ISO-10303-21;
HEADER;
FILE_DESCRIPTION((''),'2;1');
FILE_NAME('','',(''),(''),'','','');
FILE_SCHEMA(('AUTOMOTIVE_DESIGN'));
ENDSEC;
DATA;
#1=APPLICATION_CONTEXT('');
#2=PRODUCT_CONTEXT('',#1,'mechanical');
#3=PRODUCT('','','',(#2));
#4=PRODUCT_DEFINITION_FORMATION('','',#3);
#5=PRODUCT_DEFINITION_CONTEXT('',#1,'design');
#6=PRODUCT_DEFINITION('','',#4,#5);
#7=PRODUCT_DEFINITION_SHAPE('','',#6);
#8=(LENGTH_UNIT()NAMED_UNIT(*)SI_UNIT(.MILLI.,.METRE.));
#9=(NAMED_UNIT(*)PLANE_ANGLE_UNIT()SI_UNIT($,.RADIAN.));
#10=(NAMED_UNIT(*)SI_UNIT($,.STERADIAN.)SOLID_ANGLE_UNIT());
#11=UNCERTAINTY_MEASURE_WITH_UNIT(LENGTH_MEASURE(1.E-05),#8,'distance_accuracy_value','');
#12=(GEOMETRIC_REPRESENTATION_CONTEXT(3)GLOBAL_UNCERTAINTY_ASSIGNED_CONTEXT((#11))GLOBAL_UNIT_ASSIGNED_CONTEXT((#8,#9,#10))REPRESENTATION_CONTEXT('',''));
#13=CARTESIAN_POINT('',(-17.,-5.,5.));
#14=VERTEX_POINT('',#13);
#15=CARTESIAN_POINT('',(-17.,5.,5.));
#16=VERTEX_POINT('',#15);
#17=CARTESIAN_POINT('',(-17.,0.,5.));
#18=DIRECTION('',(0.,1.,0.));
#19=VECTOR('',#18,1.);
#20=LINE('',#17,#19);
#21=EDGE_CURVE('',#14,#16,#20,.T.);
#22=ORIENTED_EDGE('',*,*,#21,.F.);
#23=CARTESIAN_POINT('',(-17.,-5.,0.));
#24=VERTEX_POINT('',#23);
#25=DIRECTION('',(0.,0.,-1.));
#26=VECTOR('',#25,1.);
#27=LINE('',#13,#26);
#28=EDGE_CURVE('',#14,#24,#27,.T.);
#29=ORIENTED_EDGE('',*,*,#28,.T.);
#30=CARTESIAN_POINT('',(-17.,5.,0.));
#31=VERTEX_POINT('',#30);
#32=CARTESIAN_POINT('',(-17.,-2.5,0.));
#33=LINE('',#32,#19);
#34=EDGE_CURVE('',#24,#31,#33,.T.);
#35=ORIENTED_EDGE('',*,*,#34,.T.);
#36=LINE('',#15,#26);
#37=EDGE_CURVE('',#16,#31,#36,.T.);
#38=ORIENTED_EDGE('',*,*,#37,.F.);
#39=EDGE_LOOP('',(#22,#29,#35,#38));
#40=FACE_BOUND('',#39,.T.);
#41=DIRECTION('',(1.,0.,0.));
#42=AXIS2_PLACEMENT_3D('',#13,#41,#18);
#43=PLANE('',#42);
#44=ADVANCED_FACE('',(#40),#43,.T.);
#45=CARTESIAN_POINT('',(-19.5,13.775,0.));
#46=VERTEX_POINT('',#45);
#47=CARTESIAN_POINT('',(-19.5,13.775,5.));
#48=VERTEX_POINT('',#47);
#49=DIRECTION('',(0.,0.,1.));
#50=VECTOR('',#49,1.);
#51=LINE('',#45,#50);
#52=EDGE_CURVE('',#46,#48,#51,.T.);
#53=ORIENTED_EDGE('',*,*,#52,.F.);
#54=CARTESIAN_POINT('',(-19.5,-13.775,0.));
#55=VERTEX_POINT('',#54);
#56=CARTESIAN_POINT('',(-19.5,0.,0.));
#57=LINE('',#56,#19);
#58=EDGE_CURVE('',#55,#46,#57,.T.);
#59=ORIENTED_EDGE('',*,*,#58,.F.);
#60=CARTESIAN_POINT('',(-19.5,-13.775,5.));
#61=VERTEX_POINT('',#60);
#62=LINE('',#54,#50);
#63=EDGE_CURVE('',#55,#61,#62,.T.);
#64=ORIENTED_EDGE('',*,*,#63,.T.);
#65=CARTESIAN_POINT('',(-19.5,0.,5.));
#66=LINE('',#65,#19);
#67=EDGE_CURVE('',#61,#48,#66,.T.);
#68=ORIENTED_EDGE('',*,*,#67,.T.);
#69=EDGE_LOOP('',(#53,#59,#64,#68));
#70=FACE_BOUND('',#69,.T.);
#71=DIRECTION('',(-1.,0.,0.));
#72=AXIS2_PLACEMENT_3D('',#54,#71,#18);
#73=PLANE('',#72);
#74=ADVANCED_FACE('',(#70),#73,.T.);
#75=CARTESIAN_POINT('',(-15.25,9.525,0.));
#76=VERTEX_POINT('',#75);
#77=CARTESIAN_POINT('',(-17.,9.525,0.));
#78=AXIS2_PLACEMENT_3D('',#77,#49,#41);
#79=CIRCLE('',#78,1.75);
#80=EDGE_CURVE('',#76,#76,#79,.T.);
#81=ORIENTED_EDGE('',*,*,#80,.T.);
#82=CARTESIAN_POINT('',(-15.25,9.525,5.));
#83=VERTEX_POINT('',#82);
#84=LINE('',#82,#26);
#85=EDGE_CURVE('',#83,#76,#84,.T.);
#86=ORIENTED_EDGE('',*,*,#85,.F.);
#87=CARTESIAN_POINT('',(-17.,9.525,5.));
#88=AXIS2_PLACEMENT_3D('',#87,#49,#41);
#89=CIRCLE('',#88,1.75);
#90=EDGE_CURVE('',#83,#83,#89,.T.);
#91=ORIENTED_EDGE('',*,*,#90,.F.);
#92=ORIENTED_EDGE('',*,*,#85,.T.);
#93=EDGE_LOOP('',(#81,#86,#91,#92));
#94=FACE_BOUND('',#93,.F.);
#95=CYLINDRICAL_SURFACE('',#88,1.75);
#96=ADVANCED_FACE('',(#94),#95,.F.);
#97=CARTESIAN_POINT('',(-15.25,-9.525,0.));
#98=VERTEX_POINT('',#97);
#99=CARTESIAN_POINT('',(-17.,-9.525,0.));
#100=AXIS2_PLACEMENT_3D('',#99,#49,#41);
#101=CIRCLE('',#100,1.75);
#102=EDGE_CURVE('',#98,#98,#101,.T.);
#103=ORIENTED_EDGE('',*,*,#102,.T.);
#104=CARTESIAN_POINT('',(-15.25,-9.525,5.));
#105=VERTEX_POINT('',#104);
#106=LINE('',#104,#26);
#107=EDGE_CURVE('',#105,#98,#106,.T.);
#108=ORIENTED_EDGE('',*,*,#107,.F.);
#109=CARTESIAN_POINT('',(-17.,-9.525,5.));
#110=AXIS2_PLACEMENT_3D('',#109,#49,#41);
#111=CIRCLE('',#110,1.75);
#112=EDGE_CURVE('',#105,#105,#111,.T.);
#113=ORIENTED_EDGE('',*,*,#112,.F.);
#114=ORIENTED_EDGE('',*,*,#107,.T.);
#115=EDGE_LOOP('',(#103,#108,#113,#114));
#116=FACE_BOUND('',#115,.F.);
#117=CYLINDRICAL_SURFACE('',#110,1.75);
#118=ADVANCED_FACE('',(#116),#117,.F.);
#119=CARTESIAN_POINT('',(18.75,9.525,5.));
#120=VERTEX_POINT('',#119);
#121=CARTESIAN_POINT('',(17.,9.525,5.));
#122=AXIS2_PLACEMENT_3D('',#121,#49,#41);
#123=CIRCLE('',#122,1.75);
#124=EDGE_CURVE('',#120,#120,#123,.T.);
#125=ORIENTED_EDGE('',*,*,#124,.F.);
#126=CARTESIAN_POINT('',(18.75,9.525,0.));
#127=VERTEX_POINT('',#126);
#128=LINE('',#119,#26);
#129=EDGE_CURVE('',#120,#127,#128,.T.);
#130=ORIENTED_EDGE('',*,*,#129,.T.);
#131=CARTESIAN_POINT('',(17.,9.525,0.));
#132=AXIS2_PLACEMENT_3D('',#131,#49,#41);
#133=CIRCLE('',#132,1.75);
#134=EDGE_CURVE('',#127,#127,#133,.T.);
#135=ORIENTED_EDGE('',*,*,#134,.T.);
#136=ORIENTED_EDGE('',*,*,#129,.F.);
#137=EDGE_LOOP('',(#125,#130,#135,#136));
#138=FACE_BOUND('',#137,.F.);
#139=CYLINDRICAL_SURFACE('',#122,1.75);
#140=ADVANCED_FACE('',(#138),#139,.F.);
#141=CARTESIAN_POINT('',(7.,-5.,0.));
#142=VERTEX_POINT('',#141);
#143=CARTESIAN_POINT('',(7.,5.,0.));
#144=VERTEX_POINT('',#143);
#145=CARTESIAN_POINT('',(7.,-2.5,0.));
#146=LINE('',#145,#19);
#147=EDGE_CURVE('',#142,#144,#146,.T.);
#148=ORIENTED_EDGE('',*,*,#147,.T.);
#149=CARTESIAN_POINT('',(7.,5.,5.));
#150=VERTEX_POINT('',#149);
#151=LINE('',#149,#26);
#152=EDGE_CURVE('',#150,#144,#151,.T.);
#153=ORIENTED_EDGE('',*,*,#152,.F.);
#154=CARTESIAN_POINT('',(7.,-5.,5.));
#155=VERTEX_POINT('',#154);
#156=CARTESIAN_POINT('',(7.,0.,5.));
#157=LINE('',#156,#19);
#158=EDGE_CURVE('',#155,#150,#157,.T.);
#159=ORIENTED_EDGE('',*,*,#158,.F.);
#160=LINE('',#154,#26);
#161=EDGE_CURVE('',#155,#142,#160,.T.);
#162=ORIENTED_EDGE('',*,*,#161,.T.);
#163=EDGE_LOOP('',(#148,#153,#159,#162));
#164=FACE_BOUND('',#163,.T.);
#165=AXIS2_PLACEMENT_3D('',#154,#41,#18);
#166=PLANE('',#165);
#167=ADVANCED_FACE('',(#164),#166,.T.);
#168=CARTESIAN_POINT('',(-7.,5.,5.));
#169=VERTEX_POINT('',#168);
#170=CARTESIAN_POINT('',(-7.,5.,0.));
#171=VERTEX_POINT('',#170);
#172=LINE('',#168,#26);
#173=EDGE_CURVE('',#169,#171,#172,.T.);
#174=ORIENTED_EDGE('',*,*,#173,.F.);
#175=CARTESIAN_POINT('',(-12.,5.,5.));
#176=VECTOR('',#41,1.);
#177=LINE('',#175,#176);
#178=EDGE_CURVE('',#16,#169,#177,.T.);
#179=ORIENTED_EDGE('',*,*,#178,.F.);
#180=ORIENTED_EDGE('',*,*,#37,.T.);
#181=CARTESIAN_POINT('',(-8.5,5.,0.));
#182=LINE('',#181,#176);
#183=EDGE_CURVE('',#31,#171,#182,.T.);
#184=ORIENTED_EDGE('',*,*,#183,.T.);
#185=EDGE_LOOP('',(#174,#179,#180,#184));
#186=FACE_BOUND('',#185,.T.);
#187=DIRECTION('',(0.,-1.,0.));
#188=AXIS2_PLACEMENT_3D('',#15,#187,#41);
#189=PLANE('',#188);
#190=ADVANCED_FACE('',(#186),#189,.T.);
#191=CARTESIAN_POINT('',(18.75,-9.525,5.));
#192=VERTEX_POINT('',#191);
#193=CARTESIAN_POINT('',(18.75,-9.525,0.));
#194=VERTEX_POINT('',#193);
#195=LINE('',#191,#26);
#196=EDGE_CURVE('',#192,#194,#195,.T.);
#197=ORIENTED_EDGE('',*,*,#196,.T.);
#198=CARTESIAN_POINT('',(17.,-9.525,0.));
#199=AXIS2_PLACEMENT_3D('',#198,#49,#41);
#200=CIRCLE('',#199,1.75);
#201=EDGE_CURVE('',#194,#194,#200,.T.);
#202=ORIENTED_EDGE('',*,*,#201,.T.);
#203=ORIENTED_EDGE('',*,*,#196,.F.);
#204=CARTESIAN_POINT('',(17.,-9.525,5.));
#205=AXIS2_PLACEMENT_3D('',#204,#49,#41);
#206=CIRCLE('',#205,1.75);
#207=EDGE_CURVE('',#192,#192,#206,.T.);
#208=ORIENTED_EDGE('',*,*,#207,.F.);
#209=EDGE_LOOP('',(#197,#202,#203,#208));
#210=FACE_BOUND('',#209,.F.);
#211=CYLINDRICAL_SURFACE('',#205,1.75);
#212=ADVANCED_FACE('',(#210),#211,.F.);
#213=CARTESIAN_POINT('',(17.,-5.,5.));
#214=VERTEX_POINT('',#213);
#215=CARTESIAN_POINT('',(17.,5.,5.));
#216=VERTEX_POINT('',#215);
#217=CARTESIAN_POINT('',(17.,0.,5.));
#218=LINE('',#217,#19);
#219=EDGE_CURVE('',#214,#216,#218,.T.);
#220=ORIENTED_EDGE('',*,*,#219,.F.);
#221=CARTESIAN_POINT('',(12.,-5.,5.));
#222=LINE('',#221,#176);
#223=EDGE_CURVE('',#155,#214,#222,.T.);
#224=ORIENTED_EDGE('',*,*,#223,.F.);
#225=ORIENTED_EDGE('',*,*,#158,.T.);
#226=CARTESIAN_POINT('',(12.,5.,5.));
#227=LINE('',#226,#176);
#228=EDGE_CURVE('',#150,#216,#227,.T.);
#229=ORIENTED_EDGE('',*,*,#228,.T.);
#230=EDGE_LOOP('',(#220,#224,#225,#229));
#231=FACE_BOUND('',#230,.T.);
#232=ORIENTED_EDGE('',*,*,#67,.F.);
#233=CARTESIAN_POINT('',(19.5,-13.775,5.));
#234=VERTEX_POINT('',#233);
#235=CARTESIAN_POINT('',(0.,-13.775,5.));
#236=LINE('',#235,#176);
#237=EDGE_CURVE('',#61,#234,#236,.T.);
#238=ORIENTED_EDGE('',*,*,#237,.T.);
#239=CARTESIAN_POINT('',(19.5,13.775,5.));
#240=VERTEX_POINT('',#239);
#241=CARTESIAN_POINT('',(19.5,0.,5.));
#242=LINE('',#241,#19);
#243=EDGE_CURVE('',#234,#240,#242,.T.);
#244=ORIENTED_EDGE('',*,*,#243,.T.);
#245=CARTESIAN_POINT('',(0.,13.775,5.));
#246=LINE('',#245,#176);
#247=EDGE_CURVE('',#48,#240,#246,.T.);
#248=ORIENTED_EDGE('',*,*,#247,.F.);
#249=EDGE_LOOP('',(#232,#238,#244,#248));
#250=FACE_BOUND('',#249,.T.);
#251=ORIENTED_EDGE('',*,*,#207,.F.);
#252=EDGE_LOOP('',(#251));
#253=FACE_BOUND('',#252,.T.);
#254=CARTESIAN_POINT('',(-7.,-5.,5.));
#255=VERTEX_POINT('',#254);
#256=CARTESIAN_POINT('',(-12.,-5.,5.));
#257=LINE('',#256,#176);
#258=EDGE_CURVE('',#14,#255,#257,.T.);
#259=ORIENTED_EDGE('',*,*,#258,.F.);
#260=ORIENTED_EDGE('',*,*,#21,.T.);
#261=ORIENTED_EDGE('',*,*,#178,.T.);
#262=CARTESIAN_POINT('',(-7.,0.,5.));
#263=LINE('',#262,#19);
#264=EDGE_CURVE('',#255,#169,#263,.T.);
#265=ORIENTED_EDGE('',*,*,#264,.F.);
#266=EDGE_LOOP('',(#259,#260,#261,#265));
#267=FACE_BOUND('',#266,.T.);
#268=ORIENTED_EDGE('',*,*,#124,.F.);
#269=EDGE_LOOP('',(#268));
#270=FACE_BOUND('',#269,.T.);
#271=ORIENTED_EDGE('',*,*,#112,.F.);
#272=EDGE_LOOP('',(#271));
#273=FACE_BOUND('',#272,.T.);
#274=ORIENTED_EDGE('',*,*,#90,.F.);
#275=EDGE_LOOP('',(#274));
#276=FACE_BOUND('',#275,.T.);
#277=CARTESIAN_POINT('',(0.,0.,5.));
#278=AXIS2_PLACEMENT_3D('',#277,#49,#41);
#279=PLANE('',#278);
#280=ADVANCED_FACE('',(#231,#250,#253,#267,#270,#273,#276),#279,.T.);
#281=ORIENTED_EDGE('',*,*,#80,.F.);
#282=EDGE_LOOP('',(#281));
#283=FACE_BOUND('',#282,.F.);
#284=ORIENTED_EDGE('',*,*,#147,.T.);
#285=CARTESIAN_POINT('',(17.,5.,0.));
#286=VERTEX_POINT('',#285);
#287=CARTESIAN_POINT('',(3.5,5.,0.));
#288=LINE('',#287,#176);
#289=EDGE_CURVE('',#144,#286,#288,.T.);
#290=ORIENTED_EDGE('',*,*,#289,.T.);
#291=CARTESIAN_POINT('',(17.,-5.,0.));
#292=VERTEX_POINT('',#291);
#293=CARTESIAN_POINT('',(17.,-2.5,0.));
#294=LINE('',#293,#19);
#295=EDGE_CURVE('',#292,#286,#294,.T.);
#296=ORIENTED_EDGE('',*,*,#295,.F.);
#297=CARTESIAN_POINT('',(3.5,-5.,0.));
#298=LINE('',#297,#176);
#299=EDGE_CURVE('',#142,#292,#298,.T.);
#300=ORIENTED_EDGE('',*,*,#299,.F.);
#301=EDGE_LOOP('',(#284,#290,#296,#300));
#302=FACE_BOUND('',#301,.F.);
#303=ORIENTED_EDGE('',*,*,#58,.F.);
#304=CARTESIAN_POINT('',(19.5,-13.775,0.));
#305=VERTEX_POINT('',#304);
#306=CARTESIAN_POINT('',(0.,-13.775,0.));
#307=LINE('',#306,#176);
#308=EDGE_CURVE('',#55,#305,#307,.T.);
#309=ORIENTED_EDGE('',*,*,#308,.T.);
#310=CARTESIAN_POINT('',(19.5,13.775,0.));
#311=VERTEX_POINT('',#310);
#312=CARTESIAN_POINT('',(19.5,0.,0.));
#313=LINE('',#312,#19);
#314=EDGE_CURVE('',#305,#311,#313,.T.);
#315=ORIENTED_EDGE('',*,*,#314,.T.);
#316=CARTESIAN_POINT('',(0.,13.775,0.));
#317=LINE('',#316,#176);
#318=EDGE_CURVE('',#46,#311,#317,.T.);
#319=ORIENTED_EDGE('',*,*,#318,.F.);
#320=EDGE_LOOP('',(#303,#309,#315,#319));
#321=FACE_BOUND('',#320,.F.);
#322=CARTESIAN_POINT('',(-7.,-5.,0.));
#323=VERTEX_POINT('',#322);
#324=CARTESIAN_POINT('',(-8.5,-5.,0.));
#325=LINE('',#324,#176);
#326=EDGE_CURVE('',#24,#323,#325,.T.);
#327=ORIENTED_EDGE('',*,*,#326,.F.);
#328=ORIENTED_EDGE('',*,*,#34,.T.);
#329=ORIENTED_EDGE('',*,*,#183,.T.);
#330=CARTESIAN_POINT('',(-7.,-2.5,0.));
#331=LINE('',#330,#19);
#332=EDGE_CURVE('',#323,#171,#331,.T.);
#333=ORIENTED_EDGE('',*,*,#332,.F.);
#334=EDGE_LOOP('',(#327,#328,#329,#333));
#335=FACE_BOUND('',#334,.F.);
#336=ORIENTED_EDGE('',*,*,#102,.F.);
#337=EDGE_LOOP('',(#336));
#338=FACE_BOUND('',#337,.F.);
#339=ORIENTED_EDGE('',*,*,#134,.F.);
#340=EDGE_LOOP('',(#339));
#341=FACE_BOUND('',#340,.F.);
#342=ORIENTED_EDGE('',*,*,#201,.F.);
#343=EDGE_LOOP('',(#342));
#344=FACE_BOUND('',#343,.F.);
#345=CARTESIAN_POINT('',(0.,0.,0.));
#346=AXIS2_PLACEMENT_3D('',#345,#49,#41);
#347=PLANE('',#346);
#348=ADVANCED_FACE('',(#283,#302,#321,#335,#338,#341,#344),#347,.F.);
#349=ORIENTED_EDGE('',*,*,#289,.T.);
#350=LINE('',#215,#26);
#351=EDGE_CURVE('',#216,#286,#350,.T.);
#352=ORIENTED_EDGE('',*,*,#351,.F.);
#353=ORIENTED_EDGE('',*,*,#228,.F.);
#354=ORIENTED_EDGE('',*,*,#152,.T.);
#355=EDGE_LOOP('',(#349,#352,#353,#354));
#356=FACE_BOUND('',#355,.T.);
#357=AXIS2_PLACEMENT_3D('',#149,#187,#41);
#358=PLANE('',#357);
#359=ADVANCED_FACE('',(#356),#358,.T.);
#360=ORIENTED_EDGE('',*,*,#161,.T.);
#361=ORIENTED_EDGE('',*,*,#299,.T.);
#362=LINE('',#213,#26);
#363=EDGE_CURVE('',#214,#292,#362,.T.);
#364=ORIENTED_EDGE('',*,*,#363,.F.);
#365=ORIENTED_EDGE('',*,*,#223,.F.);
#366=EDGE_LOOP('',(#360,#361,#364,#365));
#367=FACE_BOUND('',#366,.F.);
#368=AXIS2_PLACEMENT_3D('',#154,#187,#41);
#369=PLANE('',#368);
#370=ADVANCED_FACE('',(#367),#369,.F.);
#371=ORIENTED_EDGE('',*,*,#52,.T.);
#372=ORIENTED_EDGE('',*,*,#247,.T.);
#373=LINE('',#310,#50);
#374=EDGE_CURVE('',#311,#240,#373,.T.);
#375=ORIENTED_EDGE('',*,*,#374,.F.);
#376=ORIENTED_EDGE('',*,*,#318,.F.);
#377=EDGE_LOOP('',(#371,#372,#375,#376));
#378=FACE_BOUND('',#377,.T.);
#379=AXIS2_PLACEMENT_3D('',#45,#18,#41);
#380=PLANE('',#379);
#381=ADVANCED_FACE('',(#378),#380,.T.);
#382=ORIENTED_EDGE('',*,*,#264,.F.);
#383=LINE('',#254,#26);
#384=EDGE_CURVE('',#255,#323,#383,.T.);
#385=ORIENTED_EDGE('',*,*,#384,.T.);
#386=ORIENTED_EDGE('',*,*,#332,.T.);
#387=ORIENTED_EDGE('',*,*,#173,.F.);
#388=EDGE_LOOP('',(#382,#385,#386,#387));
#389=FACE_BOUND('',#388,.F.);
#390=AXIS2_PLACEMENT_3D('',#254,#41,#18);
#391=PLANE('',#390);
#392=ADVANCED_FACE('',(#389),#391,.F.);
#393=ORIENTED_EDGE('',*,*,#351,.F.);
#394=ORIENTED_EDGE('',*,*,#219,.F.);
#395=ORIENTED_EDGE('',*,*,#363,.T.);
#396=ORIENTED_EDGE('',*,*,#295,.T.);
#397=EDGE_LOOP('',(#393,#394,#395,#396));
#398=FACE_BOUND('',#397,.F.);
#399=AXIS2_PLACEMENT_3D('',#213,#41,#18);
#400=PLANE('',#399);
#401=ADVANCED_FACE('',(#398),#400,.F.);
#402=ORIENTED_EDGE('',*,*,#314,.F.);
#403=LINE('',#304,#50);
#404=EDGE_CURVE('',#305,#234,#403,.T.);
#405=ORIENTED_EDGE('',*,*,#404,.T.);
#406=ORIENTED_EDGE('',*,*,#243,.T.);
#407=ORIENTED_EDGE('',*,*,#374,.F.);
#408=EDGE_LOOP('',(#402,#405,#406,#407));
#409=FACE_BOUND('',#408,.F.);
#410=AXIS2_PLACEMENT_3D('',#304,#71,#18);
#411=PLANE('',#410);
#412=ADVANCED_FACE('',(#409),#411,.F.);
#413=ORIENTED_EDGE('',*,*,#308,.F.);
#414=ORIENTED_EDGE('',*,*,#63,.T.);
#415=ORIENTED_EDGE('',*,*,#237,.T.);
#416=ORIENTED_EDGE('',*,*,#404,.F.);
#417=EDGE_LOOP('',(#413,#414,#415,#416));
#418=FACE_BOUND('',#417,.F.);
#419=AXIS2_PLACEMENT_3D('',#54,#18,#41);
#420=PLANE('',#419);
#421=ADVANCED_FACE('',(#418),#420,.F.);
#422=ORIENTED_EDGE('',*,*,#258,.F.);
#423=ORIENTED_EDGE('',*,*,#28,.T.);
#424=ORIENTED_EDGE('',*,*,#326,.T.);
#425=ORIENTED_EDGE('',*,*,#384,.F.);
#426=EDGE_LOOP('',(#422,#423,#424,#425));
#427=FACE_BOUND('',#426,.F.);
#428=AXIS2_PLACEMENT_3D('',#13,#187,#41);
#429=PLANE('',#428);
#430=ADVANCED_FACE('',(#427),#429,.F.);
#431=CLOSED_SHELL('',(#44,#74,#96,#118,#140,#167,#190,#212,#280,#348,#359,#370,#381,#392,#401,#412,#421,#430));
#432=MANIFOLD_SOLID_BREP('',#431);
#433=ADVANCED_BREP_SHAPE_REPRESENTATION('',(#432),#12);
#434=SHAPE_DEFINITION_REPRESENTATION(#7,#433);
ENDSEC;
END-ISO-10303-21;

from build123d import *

# Parameters (mm, degrees)
F0_W     = 39
F0_H     = 27.55
F1_DEPTH = 5
F2_R     = 1.75
F3_DEPTH = 25
F4_W     = 10
F4_H     = 10
F5_DEPTH = 25


with BuildPart() as f1:
    # F0 (on Top) → F1 (new body)
    with BuildSketch(Plane.XY):
        Rectangle(F0_W, F0_H)
    extrude(amount=F1_DEPTH)

    # F2 (on face) → F3 (cut)
    with BuildSketch(Plane.XY.offset(5)):
        with Locations((-17, 9.525)):
            Circle(F2_R)
        with Locations((-17, -9.525)):
            Circle(F2_R)
        with Locations((17, -9.525)):
            Circle(F2_R)
        with Locations((17, 9.525)):
            Circle(F2_R)
    extrude(amount=-F3_DEPTH, mode=Mode.SUBTRACT)

    # F4 (on face) → F5 (cut)
    with BuildSketch(Plane.XY.offset(5)):
        with Locations((-12, 0)):
            Rectangle(F4_W, F4_H)
        with Locations((12, 0)):
            Rectangle(F4_W, F4_H)
    extrude(amount=-F5_DEPTH, mode=Mode.SUBTRACT)


solid = f1.part
